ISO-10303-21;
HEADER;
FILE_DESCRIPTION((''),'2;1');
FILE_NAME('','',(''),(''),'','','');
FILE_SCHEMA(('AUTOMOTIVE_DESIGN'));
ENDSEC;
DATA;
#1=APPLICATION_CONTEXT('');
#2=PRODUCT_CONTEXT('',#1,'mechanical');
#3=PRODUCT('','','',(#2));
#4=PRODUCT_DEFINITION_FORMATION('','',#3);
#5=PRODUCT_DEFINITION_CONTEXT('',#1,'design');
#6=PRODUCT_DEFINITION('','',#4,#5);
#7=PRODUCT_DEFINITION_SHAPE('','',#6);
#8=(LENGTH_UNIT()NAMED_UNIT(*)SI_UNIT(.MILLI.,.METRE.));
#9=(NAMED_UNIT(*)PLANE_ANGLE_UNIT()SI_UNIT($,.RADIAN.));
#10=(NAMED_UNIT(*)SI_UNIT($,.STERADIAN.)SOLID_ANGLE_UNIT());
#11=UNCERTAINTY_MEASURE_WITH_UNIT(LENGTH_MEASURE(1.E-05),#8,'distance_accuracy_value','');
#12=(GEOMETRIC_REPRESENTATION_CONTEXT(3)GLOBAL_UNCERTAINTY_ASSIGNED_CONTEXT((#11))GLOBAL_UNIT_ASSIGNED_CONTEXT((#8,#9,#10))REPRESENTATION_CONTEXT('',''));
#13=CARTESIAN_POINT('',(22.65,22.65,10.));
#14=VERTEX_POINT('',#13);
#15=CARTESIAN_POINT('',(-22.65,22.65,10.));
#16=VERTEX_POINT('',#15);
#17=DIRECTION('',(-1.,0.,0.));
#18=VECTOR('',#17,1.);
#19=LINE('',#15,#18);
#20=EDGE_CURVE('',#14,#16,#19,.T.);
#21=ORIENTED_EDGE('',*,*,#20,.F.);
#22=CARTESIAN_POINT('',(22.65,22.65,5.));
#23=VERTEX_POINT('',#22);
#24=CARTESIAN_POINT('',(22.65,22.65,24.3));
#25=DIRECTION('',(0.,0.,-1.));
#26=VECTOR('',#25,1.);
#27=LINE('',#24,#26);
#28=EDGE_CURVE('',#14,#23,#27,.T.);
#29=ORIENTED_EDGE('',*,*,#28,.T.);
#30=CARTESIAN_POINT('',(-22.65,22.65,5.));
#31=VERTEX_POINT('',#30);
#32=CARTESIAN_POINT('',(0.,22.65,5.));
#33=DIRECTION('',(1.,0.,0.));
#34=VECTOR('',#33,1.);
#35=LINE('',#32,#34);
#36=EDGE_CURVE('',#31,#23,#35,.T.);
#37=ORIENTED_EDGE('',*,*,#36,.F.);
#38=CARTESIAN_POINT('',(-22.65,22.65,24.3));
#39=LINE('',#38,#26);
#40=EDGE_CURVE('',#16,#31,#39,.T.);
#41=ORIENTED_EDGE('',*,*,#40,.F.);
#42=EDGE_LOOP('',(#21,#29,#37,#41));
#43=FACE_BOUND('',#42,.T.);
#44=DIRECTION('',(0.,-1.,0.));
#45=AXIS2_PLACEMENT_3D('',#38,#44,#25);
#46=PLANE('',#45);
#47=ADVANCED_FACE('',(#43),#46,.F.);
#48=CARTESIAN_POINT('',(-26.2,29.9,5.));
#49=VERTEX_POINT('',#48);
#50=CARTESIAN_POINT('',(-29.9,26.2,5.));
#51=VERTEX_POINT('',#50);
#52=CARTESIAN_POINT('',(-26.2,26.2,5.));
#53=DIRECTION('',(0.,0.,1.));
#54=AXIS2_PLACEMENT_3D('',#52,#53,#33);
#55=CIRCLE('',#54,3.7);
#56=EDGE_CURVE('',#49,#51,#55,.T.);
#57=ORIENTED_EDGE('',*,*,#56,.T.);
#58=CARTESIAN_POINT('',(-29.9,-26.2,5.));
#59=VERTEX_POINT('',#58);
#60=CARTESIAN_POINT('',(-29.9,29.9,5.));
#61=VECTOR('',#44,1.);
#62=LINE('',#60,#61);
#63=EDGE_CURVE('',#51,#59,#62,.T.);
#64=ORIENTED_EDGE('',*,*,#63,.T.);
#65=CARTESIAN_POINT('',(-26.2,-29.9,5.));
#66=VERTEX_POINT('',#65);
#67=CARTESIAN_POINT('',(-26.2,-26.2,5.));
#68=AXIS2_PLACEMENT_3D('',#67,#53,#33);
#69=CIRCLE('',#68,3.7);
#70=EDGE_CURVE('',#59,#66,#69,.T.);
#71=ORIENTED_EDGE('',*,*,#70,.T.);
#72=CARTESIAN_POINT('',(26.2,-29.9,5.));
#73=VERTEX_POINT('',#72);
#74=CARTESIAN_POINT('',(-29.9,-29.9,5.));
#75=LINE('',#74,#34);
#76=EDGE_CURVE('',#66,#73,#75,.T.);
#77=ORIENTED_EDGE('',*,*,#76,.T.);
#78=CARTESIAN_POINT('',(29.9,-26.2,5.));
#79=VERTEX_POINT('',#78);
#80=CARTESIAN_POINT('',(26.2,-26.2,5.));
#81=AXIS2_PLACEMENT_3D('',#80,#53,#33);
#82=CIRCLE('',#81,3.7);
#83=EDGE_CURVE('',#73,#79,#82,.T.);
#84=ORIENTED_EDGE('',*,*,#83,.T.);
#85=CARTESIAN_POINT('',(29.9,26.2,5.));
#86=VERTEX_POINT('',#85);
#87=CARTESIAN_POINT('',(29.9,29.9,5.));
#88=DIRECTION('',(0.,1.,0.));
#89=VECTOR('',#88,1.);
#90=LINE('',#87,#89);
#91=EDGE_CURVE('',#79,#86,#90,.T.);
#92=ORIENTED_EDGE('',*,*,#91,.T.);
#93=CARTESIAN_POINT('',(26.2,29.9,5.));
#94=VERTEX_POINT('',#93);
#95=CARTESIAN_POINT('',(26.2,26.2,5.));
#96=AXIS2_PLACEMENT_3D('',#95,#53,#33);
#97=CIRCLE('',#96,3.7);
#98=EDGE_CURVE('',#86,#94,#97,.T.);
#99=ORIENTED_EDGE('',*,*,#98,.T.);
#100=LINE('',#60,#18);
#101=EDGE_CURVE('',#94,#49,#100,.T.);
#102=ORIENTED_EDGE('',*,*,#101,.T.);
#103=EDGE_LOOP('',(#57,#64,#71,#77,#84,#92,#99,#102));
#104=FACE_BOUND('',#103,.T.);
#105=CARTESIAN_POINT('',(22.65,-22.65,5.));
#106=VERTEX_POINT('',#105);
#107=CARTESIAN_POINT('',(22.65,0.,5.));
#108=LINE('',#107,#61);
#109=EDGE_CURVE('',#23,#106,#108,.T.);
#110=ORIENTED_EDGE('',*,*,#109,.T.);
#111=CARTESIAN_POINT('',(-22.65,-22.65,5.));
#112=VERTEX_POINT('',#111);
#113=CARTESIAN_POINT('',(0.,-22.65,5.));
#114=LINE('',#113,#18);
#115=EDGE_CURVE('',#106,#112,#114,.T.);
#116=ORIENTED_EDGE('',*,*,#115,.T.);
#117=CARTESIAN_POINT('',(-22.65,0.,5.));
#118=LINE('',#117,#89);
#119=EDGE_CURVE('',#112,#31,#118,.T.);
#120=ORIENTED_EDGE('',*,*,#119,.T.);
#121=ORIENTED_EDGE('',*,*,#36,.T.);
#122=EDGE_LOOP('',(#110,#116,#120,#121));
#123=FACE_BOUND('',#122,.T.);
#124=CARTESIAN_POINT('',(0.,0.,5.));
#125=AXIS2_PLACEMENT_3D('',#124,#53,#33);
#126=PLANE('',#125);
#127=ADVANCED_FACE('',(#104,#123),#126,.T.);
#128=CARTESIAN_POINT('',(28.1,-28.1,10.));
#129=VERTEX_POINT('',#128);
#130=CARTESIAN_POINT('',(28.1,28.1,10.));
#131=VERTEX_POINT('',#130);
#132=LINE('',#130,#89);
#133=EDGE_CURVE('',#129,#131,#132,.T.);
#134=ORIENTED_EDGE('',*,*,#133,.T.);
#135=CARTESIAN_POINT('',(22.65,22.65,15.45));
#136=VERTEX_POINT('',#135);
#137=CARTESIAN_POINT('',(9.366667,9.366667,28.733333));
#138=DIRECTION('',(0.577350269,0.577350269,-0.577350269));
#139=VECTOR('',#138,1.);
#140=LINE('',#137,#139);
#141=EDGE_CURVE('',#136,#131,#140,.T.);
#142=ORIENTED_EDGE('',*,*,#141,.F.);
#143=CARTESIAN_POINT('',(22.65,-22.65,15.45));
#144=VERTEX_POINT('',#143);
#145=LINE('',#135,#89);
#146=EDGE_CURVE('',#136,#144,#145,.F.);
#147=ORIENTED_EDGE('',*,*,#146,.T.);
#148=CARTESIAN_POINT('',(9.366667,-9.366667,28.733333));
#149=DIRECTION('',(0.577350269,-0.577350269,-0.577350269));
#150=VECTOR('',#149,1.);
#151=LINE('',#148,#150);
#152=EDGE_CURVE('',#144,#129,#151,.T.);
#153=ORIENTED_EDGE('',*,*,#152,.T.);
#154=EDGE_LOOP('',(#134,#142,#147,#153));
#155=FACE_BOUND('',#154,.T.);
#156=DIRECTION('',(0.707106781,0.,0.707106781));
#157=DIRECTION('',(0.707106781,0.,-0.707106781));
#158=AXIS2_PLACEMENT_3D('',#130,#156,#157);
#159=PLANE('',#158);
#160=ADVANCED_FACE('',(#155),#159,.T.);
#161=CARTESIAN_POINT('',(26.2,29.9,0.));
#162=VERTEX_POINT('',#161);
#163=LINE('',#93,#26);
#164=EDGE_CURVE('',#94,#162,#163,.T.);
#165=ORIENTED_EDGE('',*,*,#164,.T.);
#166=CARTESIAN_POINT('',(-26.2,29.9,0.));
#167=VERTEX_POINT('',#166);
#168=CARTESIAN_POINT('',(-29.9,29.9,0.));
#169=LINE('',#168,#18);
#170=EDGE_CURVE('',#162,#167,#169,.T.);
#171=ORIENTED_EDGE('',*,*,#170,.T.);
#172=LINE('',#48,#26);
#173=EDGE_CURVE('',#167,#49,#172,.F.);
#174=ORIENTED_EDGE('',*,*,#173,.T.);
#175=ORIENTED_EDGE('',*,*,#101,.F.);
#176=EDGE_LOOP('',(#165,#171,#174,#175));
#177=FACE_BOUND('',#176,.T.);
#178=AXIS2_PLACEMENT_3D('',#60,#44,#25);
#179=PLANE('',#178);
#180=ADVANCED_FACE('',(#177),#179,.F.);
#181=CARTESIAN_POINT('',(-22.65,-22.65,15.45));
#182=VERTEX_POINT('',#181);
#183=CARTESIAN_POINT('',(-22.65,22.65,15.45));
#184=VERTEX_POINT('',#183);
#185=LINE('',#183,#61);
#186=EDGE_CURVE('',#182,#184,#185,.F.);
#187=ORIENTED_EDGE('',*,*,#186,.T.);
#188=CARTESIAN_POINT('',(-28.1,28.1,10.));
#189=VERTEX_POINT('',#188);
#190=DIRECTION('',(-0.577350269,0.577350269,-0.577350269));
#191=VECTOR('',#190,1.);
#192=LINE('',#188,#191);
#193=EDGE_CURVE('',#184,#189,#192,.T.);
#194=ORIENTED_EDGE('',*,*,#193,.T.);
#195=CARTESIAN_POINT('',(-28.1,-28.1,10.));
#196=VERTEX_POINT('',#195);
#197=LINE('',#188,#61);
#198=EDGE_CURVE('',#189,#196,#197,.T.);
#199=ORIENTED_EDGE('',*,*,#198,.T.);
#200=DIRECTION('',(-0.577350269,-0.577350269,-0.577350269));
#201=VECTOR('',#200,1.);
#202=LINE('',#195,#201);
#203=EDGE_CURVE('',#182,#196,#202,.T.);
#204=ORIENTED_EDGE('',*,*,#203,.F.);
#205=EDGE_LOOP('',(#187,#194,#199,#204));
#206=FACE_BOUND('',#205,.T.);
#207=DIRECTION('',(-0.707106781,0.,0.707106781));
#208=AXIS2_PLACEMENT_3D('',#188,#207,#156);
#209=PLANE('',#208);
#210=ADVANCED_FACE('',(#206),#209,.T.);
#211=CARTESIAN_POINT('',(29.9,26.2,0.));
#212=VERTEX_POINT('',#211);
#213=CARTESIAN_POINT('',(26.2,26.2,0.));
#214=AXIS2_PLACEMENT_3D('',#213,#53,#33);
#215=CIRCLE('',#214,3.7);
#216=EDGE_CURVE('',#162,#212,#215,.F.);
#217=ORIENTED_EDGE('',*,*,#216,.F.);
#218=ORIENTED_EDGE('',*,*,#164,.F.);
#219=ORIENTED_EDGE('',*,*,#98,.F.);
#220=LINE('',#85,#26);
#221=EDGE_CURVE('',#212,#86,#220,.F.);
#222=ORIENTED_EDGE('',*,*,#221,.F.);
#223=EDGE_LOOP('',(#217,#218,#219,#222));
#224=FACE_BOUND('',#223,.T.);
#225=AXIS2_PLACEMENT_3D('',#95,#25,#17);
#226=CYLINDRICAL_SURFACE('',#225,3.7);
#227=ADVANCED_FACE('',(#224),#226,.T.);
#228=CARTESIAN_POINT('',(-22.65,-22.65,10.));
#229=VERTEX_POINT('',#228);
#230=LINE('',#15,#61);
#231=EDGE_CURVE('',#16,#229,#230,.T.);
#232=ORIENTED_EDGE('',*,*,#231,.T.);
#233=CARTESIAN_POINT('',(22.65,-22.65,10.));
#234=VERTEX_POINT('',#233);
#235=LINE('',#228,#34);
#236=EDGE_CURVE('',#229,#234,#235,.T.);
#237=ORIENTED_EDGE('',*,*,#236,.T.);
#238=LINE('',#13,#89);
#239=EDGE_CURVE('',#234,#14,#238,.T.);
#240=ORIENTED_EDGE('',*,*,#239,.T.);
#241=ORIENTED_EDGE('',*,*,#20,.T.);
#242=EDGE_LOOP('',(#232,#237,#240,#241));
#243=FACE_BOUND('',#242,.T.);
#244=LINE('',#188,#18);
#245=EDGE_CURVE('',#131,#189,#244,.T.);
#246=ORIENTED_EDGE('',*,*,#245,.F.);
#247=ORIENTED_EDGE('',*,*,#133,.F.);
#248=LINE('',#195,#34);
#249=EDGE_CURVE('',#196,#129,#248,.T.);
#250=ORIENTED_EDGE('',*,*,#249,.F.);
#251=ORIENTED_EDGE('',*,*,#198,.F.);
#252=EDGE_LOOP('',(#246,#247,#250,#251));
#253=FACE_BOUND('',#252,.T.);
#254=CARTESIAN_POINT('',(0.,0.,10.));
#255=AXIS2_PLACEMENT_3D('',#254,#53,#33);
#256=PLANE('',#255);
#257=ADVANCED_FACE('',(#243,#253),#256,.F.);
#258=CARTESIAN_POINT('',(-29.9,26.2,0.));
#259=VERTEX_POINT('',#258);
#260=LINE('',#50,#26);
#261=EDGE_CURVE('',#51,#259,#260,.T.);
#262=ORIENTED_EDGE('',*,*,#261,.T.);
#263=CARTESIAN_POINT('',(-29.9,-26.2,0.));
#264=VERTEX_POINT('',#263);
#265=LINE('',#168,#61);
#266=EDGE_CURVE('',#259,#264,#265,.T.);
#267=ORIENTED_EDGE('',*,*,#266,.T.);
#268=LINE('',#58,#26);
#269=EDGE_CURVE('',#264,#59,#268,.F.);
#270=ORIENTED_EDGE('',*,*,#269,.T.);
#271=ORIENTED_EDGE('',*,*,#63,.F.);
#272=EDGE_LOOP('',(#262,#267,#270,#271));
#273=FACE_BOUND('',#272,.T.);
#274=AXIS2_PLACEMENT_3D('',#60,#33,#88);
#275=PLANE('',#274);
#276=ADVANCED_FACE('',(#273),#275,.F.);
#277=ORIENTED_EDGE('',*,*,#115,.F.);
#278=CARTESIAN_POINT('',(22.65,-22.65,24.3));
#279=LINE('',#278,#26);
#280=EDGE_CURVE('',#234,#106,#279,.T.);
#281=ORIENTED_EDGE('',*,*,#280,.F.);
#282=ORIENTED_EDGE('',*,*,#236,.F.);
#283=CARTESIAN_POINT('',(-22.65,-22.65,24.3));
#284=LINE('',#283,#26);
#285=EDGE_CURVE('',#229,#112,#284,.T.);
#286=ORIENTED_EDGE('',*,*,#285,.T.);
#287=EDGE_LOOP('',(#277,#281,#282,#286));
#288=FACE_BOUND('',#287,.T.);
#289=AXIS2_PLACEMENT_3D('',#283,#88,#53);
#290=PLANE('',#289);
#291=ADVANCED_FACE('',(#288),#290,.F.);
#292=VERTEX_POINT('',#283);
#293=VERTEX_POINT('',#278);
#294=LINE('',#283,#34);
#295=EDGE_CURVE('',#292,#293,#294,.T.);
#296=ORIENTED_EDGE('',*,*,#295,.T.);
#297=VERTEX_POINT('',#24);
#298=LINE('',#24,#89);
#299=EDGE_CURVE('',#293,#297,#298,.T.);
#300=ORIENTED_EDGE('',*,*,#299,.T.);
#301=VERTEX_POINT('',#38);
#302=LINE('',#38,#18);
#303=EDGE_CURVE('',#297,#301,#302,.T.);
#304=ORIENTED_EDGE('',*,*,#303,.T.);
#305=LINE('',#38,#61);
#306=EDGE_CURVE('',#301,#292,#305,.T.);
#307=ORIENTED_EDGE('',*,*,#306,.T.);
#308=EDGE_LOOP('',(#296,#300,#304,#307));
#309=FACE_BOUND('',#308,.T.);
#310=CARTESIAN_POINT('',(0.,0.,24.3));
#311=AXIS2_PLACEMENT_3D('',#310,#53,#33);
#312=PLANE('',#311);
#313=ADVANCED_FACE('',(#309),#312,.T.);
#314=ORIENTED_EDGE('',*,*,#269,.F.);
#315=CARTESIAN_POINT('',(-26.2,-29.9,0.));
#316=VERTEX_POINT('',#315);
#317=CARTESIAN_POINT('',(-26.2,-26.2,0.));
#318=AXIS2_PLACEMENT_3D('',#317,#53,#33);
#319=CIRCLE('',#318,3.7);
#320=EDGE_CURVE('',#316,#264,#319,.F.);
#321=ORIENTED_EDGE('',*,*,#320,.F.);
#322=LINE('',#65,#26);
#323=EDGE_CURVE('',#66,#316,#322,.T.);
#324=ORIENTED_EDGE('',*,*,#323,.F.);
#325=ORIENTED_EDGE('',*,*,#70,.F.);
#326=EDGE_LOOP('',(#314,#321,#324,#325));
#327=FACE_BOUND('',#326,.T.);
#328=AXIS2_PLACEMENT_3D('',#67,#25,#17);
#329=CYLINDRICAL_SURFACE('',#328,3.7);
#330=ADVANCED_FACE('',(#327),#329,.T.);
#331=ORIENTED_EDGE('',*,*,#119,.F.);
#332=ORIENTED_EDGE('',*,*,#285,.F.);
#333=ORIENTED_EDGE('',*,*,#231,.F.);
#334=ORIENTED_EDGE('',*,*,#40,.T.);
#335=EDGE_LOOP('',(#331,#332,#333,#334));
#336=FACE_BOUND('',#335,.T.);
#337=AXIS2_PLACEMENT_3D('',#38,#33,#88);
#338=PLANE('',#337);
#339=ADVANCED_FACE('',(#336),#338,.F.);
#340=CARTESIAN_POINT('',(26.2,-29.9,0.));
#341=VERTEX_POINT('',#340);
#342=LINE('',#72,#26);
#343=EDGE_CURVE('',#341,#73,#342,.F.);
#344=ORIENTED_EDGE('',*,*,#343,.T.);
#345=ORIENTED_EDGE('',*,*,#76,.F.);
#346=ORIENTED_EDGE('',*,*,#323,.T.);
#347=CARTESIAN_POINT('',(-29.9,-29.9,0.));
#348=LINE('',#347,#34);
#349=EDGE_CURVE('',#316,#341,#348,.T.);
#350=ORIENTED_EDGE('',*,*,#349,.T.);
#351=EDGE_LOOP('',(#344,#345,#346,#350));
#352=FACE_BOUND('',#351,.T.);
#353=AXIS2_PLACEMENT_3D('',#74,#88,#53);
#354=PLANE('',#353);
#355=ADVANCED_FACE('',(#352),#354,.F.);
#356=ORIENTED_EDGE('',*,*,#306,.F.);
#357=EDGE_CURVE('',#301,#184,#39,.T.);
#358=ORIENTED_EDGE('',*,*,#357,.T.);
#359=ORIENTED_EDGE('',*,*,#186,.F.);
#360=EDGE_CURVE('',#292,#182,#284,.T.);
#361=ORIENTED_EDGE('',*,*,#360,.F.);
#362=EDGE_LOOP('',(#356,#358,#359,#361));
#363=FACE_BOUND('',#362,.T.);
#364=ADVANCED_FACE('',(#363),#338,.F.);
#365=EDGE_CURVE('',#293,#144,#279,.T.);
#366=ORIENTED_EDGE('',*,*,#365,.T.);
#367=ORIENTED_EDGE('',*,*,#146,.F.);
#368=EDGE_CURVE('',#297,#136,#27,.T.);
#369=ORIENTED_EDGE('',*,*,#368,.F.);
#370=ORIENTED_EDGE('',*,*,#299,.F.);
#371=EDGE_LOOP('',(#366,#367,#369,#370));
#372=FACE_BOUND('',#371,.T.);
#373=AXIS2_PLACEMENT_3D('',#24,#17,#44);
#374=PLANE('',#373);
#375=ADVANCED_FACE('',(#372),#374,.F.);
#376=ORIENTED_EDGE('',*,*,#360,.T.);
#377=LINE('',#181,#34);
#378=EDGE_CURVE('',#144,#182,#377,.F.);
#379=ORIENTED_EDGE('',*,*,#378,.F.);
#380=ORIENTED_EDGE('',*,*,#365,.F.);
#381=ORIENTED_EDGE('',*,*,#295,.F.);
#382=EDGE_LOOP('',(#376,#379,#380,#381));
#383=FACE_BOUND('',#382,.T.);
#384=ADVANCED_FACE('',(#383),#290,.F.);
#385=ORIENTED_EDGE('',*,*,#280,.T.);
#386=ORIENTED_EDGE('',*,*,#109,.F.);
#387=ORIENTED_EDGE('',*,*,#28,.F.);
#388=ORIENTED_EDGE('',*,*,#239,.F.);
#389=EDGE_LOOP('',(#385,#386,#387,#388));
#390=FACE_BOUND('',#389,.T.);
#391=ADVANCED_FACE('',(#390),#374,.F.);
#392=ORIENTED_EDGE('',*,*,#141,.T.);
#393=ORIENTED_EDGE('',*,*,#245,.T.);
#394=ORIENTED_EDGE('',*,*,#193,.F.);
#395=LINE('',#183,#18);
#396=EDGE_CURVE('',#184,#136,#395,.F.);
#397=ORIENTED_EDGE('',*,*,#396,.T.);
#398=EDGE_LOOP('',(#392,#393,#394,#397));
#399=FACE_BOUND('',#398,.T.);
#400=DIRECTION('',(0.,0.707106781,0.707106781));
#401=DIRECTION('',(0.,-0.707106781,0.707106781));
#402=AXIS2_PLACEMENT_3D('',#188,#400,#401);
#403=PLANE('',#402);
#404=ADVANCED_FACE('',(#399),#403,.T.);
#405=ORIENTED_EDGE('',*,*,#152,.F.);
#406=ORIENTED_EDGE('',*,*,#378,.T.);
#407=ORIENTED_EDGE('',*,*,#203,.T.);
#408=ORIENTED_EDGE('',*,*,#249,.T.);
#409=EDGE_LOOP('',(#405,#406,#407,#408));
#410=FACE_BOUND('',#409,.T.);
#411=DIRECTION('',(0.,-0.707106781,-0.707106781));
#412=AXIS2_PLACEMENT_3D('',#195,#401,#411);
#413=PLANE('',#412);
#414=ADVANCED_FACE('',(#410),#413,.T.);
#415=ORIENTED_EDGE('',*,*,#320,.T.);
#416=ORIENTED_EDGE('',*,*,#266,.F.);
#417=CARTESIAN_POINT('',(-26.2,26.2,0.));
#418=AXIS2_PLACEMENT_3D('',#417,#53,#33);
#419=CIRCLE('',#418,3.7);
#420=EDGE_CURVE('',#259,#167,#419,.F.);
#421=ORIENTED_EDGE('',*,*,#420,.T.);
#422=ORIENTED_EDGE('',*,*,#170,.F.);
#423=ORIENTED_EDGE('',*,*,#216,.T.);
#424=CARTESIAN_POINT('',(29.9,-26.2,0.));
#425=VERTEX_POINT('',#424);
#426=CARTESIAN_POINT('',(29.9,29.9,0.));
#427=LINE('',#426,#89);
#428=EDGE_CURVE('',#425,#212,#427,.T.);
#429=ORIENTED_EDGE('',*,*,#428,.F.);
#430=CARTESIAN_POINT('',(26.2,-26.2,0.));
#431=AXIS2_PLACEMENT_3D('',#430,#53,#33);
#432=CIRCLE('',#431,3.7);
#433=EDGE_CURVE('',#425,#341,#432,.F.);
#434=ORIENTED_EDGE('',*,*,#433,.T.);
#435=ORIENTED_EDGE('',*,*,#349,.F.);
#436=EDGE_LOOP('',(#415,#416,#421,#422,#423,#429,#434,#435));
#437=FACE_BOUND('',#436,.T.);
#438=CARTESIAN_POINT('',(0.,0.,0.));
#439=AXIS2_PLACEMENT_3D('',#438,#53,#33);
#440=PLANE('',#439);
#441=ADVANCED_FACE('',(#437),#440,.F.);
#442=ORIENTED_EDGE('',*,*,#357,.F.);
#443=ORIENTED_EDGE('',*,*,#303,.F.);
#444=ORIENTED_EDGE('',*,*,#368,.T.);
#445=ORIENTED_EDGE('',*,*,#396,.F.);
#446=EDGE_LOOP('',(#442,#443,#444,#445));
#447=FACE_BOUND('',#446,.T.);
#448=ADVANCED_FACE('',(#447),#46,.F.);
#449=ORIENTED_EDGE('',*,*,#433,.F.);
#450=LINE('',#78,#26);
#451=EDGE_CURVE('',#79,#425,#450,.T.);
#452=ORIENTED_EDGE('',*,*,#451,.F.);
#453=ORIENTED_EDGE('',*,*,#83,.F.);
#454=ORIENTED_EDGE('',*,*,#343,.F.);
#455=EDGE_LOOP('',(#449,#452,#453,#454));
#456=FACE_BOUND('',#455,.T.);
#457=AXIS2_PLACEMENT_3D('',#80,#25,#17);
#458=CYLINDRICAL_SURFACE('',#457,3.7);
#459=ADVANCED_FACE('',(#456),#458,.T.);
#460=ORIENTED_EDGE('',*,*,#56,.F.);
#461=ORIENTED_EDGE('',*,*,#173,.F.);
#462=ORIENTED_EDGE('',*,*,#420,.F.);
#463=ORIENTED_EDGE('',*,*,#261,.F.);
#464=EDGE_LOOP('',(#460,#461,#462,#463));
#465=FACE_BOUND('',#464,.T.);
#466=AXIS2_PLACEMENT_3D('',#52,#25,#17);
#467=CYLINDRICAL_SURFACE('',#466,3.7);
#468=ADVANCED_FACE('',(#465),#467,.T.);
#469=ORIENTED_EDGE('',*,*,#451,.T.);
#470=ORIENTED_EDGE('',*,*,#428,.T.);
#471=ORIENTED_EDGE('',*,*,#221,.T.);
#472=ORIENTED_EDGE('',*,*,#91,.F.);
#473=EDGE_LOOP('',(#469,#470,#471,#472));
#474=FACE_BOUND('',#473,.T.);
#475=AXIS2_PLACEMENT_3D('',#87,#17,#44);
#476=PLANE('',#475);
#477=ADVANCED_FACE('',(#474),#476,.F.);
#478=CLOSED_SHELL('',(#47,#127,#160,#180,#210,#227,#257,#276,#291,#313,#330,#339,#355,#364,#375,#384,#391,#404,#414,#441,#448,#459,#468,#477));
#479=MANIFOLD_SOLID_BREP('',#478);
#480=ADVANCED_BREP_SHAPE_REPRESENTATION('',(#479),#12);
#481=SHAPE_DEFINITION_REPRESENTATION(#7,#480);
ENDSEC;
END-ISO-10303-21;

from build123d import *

# Parameters (mm, degrees)
ESQUISSE1_W        = 59.8
ESQUISSE1_H        = 59.8
BOSS_EXTRU_1_DEPTH = 5
ESQUISSE2_W        = 45.3
ESQUISSE2_H        = 45.3
BOSS_EXTRU_2_DEPTH = 24.3
CONG_1_R           = 3.7
ESQUISSE6_W        = 56.2
ESQUISSE6_H        = 56.2
BOSS_EXTRU_4_DEPTH = 10
BOSS_EXTRU_4_TAPER = 45


with BuildPart() as part:
    # Esquisse1 → Boss.-Extru.1 (new body)
    with BuildSketch(Plane.XY):
        Rectangle(ESQUISSE1_W, ESQUISSE1_H)
    extrude(amount=BOSS_EXTRU_1_DEPTH)

    # Esquisse2 → Boss.-Extru.2 (add)
    with BuildSketch(Plane.XY):
        Rectangle(ESQUISSE2_W, ESQUISSE2_H)
    extrude(amount=BOSS_EXTRU_2_DEPTH)

    # Congé1
    cong_1_edges = [part.edges().sort_by_distance(p)[0] for p in [
        (29.9, -29.9, 2.5),
        (-29.9, -29.9, 2.5),
        (-29.9, 29.9, 2.5),
        (29.9, 29.9, 2.5),
    ]]
    fillet(cong_1_edges, radius=CONG_1_R)

    # Esquisse6 → Boss.-Extru.4 (add)
    with BuildSketch(Plane.XY.offset(10)):
        Rectangle(ESQUISSE6_W, ESQUISSE6_H)
    extrude(amount=BOSS_EXTRU_4_DEPTH, taper=BOSS_EXTRU_4_TAPER)


solid = part.part
